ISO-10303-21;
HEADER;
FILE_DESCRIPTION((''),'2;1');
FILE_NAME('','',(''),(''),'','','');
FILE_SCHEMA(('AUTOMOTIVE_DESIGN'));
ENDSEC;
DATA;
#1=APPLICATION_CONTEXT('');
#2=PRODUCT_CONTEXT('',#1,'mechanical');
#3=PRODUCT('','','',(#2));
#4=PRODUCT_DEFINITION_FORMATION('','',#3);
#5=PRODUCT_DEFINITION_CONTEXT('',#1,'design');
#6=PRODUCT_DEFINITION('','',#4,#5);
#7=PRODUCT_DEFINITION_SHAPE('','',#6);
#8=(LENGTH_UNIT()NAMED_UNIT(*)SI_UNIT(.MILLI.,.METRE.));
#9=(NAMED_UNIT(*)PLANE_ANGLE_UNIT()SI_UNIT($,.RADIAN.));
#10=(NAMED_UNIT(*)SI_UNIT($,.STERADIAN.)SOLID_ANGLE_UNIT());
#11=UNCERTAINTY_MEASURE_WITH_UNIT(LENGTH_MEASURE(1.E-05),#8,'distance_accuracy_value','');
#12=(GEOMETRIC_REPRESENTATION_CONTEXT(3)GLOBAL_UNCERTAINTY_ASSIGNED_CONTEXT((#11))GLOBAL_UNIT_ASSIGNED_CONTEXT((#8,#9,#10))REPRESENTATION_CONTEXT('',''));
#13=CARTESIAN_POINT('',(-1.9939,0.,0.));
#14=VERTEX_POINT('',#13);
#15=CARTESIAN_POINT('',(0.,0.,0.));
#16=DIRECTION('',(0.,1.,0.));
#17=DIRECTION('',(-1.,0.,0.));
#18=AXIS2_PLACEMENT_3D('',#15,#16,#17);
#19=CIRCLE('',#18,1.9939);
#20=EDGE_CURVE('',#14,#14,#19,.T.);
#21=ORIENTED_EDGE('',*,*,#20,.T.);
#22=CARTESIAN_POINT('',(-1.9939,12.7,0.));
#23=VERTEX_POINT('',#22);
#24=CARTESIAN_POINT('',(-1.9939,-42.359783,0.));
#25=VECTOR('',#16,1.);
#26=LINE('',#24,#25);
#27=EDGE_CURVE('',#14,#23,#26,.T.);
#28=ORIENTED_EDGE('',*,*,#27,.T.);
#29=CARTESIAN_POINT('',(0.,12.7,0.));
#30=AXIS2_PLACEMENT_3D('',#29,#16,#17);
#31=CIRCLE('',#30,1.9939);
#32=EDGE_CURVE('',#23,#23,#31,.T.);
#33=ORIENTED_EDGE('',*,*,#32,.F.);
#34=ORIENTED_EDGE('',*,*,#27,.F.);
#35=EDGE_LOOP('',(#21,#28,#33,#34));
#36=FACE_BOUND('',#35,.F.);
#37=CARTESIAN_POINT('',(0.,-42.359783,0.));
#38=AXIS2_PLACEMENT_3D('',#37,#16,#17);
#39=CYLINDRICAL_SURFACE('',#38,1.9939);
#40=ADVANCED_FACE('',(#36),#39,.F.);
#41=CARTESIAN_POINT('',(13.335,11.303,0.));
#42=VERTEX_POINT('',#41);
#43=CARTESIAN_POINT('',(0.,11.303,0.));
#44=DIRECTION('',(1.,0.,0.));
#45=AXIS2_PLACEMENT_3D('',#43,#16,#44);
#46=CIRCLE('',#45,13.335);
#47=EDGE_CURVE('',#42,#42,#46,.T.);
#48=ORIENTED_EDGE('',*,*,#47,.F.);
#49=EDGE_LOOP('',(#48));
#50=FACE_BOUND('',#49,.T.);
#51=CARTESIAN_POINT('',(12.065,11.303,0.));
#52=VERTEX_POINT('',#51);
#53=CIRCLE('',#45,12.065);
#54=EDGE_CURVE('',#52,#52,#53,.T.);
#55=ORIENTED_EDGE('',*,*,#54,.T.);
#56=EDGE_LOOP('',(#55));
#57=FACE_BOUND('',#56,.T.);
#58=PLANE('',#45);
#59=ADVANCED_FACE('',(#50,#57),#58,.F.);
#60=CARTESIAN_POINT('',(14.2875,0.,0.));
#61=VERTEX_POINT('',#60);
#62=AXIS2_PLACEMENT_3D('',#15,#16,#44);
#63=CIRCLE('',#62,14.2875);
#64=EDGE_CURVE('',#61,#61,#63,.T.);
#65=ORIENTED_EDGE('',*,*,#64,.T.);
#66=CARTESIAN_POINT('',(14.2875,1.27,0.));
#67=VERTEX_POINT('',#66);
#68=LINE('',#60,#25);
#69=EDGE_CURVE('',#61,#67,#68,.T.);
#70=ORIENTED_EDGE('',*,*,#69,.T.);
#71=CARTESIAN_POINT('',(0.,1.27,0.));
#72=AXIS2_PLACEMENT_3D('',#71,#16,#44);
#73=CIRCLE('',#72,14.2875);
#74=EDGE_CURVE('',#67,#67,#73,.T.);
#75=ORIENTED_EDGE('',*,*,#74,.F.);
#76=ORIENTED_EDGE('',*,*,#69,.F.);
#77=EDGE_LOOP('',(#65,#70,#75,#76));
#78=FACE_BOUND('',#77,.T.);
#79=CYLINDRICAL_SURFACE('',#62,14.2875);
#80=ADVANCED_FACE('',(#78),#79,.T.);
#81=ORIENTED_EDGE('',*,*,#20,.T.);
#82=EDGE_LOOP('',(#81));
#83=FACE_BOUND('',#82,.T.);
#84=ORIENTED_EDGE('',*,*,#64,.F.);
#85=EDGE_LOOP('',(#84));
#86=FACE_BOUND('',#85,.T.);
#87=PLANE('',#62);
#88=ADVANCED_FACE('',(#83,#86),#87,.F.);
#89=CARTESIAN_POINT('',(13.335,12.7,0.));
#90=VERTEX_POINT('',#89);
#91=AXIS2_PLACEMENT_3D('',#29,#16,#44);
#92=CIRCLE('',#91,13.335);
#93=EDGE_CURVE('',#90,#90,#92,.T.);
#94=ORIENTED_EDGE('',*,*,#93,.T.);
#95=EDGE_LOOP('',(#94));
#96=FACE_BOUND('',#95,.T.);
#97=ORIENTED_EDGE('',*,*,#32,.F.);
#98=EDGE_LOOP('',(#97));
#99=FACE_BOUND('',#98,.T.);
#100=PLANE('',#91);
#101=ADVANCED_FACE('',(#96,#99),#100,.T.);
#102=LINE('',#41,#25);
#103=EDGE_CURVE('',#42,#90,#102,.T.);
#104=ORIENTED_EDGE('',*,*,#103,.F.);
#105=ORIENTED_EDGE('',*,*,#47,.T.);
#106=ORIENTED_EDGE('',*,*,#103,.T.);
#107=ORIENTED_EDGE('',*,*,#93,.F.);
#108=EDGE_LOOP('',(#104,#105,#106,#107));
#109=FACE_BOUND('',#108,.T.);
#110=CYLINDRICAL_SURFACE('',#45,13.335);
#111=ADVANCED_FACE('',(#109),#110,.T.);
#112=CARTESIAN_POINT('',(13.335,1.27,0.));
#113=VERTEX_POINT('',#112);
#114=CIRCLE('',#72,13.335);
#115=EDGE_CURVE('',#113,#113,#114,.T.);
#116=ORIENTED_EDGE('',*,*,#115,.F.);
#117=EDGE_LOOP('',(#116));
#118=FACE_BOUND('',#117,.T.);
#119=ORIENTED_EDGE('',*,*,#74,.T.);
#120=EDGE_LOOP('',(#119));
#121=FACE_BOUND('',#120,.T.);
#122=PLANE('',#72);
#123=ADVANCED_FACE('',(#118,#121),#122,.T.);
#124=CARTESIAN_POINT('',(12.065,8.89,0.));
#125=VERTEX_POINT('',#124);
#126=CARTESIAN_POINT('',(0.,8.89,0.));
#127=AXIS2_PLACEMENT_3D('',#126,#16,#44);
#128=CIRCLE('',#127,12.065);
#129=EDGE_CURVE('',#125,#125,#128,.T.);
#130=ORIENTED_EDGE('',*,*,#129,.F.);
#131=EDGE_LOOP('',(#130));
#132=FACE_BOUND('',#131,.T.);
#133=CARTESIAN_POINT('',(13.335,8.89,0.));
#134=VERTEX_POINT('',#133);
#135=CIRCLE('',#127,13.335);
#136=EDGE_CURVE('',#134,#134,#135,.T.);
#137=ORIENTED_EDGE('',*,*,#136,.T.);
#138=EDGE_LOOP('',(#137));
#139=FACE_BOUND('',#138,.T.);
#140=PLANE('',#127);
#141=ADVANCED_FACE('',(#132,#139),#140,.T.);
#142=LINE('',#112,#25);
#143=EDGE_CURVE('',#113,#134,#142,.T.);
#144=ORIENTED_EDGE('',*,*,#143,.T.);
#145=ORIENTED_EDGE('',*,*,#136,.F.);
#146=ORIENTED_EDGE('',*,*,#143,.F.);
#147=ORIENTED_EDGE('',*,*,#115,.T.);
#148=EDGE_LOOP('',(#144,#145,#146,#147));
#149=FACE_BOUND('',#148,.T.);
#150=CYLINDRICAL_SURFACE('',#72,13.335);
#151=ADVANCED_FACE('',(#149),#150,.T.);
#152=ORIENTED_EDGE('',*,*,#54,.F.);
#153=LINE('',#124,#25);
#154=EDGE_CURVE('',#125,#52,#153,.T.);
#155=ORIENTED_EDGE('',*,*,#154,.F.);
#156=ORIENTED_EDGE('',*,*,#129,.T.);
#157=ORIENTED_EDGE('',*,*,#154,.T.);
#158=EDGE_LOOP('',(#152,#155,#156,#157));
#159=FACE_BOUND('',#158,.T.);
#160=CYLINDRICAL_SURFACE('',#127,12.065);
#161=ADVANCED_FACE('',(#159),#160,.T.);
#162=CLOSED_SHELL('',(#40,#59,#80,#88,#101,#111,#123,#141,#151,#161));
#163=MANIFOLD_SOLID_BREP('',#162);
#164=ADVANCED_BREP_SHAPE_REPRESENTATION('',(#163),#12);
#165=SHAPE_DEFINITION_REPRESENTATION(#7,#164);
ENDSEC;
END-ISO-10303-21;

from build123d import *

# Parameters (mm, degrees)
F3_D = 3.9878


with BuildPart() as f1:
    # F0 (on Top) → F1 (revolve)
    with BuildSketch(Plane.XY):
        Polygon((0, 12.7), (0, 0), (14.2875, 0), (14.2875, 1.27), (13.335, 1.27), (13.335, 8.89), (12.065, 8.89), (12.065, 11.303), (13.335, 11.303), (13.335, 12.7), align=None)
    revolve(axis=Axis((0, 6.35, 0), (0, 1, 0)))

    # F3 (through all)
    with Locations(Plane.XZ):
        with Locations((0, 0)):
            Hole(F3_D / 2)


solid = f1.part
